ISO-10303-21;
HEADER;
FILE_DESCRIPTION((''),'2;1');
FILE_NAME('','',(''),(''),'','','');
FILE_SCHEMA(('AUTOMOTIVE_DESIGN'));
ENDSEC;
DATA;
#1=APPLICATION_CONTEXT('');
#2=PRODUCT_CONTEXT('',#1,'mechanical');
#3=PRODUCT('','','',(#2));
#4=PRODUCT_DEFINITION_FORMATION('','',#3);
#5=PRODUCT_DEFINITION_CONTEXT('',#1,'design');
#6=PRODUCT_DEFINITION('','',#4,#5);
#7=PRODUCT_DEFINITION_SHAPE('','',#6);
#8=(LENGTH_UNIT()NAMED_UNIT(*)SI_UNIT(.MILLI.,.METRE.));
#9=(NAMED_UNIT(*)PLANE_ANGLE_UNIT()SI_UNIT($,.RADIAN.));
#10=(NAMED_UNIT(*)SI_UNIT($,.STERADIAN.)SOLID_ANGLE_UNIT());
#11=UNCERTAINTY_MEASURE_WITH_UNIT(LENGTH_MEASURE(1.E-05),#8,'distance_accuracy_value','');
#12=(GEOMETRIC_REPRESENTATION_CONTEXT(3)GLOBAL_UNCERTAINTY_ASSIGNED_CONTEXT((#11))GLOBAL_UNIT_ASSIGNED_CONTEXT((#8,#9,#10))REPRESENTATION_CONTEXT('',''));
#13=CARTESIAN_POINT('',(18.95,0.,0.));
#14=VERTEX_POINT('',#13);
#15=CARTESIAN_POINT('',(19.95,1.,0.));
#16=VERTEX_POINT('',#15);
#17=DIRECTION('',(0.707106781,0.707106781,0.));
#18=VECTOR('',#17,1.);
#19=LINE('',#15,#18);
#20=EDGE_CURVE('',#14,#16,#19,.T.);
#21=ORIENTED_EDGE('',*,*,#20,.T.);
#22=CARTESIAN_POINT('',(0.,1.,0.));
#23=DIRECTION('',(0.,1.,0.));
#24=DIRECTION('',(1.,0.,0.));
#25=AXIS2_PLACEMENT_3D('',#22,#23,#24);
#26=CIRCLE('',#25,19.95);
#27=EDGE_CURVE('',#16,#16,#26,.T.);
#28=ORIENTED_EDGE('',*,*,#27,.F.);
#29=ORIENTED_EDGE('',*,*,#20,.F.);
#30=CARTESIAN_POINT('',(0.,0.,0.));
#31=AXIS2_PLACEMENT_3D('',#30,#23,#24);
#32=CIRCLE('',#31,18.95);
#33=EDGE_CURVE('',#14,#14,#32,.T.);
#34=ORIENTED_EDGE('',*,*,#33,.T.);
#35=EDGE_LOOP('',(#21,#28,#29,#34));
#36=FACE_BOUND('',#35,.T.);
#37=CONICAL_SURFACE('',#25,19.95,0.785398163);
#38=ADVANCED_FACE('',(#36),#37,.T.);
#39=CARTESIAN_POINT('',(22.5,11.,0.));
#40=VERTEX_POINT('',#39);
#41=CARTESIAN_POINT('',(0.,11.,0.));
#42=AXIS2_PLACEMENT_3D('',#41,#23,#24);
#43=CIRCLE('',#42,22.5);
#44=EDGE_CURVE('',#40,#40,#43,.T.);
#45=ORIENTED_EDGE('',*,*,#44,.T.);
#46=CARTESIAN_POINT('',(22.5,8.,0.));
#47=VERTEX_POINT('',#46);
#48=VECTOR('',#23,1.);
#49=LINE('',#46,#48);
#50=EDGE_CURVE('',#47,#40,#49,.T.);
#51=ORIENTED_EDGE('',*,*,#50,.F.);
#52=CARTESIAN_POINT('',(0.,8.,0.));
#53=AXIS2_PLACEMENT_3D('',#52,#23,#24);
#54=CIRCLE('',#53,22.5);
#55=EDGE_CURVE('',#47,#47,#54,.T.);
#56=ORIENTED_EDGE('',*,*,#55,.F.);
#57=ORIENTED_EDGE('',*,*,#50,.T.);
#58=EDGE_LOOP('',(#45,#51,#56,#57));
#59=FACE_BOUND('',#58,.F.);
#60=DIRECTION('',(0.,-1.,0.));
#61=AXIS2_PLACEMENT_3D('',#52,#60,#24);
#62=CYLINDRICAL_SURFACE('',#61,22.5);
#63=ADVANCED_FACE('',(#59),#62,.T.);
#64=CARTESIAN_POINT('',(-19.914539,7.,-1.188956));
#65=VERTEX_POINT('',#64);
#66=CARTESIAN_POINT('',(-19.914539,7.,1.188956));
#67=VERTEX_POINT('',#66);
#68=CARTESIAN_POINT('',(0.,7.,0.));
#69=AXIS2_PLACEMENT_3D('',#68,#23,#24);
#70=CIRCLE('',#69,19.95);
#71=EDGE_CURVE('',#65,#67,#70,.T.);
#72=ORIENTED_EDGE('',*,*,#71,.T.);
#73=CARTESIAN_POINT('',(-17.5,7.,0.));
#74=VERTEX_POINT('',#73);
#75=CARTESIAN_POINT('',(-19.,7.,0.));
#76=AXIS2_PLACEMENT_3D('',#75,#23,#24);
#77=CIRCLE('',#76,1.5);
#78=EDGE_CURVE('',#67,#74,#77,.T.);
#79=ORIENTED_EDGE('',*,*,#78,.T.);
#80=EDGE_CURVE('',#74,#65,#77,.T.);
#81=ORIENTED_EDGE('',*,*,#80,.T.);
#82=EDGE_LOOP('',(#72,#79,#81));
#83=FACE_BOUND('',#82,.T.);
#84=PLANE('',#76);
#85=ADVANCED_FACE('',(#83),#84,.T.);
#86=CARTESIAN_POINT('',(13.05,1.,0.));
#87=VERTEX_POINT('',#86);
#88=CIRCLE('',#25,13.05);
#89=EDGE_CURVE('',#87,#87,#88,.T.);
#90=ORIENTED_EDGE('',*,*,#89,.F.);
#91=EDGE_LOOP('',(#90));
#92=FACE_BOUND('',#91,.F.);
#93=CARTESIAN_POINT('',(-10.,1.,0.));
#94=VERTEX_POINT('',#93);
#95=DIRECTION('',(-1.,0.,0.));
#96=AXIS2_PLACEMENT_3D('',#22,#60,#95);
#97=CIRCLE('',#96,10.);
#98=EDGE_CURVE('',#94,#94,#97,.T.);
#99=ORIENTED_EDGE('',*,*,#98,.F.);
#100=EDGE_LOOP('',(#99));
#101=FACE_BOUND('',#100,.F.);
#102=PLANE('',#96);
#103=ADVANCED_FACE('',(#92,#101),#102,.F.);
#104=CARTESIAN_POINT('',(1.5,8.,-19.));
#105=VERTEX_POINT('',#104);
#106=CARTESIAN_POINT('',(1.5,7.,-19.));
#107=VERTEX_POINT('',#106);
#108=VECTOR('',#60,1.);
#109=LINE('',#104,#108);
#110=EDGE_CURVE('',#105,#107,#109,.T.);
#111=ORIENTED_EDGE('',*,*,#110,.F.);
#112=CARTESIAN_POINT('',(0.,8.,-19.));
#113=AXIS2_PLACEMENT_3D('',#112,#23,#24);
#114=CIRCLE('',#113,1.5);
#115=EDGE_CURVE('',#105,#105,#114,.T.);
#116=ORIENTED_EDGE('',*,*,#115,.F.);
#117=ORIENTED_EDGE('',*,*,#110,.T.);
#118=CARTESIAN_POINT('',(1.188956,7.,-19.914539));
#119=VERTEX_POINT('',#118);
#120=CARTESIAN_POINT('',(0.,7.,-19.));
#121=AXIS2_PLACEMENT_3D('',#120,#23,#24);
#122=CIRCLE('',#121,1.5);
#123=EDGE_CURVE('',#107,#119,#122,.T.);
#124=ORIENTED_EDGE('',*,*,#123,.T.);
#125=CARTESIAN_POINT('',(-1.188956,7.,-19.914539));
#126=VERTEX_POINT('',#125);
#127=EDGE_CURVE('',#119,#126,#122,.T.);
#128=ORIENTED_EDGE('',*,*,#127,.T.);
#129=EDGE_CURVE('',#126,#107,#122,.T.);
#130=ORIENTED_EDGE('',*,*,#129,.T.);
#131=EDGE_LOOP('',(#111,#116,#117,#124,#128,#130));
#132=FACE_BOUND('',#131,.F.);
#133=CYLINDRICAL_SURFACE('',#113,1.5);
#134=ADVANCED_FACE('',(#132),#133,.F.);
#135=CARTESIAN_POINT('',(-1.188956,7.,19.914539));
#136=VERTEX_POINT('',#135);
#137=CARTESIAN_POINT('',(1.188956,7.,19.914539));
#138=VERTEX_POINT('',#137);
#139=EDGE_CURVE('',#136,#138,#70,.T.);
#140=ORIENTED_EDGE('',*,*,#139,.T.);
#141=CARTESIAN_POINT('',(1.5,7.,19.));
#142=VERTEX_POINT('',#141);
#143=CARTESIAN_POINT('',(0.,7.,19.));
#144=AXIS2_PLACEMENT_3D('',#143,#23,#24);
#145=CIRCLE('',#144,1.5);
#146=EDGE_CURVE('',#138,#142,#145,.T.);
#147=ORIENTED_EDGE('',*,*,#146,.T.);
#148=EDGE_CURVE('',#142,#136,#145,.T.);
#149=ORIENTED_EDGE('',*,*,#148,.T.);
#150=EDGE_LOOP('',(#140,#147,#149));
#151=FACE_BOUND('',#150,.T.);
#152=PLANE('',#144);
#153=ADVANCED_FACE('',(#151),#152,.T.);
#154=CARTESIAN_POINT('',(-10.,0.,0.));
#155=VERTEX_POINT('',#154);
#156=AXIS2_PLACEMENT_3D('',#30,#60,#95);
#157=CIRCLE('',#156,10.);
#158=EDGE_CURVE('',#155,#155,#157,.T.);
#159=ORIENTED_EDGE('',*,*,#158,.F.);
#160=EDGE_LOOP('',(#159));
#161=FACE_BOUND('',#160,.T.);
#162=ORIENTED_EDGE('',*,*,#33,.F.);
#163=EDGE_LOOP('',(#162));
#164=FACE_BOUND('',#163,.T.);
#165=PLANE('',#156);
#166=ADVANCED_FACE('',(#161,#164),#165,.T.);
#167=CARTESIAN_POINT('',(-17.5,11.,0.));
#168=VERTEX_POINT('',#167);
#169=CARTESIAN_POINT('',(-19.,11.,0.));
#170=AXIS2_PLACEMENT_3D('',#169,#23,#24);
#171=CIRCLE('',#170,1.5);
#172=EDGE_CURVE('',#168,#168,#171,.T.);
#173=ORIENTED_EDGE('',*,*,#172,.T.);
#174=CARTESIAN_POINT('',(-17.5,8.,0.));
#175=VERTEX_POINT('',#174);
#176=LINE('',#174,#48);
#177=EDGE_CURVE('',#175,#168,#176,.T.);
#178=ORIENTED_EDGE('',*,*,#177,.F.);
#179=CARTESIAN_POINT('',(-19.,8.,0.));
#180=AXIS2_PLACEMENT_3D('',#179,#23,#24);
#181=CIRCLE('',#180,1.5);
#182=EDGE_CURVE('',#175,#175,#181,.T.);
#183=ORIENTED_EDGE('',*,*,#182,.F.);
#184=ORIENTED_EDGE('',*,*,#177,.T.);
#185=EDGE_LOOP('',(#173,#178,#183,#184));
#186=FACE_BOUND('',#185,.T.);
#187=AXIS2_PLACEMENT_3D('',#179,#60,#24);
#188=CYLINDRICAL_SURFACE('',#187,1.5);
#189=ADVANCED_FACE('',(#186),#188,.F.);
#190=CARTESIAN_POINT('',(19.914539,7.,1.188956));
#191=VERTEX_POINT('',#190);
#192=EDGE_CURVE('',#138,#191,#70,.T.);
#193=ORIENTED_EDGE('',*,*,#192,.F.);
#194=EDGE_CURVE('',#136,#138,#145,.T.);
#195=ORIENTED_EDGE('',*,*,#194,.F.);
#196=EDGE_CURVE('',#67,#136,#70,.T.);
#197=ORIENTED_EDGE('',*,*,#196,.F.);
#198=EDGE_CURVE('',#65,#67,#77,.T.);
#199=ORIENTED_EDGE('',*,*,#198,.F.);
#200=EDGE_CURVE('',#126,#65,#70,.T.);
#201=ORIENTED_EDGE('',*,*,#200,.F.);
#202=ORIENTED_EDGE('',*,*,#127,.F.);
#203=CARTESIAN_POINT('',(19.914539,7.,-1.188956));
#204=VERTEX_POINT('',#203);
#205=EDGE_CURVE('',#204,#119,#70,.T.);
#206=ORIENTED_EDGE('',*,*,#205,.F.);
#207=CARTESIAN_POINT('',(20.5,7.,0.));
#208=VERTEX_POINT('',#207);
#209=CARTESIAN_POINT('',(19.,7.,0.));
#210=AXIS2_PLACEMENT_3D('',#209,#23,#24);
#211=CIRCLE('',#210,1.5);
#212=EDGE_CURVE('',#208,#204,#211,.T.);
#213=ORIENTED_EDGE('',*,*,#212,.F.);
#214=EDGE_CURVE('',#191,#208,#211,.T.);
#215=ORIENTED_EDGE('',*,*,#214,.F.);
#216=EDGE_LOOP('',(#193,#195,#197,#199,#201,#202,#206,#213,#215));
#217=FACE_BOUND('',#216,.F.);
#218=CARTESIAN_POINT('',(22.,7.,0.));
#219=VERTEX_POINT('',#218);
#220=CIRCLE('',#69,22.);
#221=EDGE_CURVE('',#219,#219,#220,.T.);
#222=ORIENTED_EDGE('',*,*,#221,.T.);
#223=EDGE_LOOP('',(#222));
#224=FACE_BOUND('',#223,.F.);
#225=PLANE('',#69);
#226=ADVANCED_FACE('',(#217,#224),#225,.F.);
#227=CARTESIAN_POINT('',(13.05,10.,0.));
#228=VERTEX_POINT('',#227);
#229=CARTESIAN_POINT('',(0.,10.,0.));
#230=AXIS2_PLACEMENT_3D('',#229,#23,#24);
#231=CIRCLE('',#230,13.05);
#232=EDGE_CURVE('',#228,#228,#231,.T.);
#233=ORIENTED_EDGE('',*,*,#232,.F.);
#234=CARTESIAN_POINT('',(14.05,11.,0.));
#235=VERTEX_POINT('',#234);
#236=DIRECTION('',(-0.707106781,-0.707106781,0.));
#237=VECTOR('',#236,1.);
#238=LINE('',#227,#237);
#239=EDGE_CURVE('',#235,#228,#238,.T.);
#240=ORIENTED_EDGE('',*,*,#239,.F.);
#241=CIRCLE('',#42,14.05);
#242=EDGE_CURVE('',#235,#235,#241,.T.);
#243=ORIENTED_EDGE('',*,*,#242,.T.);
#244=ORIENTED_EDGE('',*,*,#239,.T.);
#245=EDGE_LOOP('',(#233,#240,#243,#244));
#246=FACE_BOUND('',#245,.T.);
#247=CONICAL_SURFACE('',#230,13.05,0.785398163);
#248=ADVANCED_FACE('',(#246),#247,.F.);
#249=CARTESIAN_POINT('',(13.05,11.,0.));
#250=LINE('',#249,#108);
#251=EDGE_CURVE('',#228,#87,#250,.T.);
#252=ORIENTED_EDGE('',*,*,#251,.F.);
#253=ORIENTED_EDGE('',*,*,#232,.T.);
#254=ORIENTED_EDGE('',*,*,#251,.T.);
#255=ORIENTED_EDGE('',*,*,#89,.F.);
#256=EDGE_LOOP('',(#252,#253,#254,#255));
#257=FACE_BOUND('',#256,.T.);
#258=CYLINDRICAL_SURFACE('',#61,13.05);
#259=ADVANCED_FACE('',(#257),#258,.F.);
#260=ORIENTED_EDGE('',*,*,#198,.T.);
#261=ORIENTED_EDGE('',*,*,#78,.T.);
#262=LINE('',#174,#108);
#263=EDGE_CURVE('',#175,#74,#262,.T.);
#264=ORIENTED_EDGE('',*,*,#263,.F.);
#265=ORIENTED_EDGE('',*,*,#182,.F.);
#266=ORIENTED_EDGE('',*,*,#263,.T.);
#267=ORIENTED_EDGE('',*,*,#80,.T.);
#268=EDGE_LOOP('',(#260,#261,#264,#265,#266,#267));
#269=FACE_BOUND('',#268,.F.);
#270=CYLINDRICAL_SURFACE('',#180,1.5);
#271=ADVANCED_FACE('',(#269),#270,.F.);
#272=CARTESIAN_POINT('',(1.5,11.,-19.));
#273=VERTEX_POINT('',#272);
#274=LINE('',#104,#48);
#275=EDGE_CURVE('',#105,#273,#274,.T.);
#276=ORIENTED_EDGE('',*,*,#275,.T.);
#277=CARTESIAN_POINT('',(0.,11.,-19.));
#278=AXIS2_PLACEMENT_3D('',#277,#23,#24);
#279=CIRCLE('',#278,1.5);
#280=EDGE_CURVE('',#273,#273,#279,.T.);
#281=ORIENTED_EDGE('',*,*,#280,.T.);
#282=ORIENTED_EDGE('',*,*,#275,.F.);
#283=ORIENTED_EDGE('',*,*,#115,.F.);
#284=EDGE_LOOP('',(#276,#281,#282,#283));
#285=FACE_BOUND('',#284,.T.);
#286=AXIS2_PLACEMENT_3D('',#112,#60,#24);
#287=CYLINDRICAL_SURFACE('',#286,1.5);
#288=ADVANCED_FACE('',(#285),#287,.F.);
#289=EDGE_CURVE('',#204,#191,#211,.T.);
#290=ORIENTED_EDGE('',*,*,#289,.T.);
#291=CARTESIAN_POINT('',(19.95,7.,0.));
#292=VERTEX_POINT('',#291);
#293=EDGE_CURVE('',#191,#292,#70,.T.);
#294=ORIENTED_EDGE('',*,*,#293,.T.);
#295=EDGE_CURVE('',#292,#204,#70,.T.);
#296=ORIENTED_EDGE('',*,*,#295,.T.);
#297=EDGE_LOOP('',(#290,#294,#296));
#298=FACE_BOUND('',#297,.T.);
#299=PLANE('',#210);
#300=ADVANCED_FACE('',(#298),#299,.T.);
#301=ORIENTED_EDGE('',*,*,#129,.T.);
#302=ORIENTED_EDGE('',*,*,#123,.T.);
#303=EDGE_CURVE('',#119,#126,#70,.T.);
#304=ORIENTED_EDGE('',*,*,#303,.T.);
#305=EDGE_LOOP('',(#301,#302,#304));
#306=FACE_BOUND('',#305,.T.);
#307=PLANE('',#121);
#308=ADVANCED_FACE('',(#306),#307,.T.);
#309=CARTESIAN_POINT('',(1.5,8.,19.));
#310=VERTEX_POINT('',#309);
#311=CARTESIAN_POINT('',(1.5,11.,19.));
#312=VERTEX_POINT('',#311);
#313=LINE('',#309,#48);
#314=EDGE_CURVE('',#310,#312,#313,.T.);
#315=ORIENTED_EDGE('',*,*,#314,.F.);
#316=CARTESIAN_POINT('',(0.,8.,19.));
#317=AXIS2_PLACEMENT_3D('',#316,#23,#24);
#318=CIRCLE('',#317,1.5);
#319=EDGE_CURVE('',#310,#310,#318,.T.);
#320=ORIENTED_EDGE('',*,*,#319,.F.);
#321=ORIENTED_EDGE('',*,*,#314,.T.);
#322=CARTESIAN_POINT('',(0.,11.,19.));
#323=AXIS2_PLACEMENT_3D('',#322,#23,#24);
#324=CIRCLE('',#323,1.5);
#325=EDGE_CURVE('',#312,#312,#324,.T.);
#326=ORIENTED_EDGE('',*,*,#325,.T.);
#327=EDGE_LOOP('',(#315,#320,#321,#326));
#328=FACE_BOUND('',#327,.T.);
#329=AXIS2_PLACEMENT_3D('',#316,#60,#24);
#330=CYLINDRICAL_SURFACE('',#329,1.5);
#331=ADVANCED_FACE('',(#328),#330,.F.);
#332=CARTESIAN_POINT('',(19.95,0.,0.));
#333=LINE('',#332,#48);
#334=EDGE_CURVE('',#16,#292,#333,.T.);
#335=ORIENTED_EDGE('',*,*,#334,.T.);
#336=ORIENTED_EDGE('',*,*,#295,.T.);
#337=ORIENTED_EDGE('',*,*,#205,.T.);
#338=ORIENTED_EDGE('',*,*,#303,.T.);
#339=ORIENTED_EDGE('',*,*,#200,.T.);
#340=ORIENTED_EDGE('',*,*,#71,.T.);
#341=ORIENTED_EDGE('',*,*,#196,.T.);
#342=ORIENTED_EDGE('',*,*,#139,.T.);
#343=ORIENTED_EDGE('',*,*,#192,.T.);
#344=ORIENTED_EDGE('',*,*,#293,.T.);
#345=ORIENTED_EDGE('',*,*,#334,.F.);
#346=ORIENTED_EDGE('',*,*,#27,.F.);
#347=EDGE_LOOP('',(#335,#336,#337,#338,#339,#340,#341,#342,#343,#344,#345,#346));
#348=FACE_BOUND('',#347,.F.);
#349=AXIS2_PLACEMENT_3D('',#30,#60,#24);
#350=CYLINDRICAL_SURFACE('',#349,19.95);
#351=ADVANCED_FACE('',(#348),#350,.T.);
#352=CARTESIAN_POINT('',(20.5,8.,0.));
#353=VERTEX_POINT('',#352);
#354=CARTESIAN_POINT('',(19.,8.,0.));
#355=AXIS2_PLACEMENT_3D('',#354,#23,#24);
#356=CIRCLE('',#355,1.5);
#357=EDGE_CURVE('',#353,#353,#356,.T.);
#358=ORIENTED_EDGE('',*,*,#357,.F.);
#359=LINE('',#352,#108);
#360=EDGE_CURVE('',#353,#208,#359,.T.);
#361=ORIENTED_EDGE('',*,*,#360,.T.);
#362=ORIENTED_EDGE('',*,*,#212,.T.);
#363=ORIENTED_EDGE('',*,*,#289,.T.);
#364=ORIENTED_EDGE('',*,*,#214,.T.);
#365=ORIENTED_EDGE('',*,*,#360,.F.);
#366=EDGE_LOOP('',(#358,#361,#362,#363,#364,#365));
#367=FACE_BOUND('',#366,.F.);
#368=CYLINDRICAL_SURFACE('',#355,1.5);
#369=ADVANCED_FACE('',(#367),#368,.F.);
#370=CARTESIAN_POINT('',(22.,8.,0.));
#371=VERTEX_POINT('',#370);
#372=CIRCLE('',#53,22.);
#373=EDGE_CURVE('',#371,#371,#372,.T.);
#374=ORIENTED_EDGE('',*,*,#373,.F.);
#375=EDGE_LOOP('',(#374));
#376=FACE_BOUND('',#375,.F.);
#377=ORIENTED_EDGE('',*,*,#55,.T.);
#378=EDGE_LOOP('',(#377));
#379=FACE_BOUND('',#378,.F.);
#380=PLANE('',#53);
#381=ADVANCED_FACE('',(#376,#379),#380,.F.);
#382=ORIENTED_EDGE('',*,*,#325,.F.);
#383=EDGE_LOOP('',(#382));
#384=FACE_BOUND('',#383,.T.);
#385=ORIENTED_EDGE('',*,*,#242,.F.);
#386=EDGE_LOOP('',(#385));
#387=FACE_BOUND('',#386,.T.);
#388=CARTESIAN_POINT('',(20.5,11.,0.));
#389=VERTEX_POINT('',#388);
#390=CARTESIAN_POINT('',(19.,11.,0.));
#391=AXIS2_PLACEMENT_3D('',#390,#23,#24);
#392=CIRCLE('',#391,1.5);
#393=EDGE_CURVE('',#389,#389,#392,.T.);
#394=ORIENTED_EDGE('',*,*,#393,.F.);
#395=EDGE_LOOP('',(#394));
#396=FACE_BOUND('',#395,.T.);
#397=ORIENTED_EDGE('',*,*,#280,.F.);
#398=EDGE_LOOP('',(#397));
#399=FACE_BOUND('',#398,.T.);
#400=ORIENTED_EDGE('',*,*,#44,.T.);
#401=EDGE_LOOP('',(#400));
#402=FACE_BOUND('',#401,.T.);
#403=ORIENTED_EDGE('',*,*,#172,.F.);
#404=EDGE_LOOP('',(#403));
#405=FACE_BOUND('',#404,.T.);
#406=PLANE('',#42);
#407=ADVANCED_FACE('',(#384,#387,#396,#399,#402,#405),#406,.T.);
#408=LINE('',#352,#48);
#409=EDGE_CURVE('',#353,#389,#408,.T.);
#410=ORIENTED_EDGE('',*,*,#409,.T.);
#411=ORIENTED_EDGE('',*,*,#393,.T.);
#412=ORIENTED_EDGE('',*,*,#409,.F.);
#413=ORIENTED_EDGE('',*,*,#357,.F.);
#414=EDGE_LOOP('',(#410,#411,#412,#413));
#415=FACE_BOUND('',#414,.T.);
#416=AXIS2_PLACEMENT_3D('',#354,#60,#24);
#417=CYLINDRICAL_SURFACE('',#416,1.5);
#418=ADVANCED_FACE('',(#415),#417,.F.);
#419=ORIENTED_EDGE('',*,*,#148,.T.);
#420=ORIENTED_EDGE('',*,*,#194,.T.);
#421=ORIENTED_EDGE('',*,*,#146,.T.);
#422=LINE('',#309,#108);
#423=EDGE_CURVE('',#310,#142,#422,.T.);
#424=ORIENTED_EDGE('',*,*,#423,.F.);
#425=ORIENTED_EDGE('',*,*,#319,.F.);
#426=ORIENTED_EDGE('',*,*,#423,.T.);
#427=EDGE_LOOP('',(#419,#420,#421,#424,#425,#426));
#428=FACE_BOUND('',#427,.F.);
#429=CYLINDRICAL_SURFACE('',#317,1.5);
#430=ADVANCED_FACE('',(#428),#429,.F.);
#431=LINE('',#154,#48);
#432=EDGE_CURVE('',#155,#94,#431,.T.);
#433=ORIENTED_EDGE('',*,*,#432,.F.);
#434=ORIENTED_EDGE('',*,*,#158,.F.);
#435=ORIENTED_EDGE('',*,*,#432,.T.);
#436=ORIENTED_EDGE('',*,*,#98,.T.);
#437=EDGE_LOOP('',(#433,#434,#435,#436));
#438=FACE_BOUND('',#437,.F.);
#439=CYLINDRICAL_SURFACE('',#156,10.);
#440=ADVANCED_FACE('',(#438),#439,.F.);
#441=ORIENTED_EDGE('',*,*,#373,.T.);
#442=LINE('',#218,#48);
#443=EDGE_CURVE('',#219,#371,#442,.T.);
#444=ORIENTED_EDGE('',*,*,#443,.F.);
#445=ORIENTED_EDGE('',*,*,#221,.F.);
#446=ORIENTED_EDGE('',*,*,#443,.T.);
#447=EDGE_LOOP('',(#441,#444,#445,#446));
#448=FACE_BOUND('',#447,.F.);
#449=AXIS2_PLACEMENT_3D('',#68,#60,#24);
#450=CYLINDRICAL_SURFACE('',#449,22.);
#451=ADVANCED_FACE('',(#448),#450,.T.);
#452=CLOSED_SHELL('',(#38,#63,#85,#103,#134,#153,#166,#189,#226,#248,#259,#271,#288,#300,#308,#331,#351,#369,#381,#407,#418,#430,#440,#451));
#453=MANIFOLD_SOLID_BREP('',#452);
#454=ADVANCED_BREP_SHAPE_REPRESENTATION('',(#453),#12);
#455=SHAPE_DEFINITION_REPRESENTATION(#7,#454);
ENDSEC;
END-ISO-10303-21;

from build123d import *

# Parameters (mm, degrees)
SKETCH1_R           = 19.95
SKETCH1_R_2         = 13.05
BOSS_EXTRUDE1_DEPTH = 7
SKETCH2_R           = 13.05
SKETCH2_R_2         = 10
BOSS_EXTRUDE2_DEPTH = 1
SKETCH3_R           = 22
SKETCH3_R_2         = 13.05
BOSS_EXTRUDE3_DEPTH = 1
SKETCH4_R           = 22.5
SKETCH4_R_2         = 1.5
SKETCH4_R_3         = 13.05
BOSS_EXTRUDE7_DEPTH = 3
CHAMFER1_SIZE       = 1
SKETCH6_R           = 1.5
CUT_EXTRUDE1_DEPTH  = 1


with BuildPart() as part:
    # Sketch1 → Boss-Extrude1 (new body)
    with BuildSketch(Plane(origin=(0, 0, 0), x_dir=(1, 0, 0), z_dir=(0, 1, 0))):
        Circle(SKETCH1_R)
        Circle(SKETCH1_R_2, mode=Mode.SUBTRACT)
    extrude(amount=BOSS_EXTRUDE1_DEPTH)

    # Sketch2 → Boss-Extrude2 (add)
    with BuildSketch(Plane(origin=(0, 0, 0), x_dir=(-1, 0, 0), z_dir=(0, -1, 0))):
        Circle(SKETCH2_R)
        Circle(SKETCH2_R_2, mode=Mode.SUBTRACT)
    extrude(amount=-BOSS_EXTRUDE2_DEPTH)

    # Sketch3 → Boss-Extrude3 (add)
    with BuildSketch(Plane(origin=(0, 7, 0), x_dir=(1, 0, 0), z_dir=(0, 1, 0))):
        Circle(SKETCH3_R)
        Circle(SKETCH3_R_2, mode=Mode.SUBTRACT)
    extrude(amount=BOSS_EXTRUDE3_DEPTH)

    # Sketch4 → Boss-Extrude7 (add)
    with BuildSketch(Plane(origin=(0, 8, 0), x_dir=(1, 0, 0), z_dir=(0, 1, 0))):
        Circle(SKETCH4_R)
        with Locations((0, 19)):
            Circle(SKETCH4_R_2, mode=Mode.SUBTRACT)
        with Locations((19, 0)):
            Circle(SKETCH4_R_2, mode=Mode.SUBTRACT)
        with Locations((0, -19)):
            Circle(SKETCH4_R_2, mode=Mode.SUBTRACT)
        with Locations((-19, 0)):
            Circle(SKETCH4_R_2, mode=Mode.SUBTRACT)
        Circle(SKETCH4_R_3, mode=Mode.SUBTRACT)
    extrude(amount=BOSS_EXTRUDE7_DEPTH)

    # Chamfer1
    chamfer1_edges = [part.edges().sort_by_distance(p)[0] for p in [
        (-19.95, 0, 0),
        (-13.05, 11, 0),
    ]]
    chamfer(chamfer1_edges, length=CHAMFER1_SIZE)

    # Sketch6 → Cut-Extrude1 (cut)
    with BuildSketch(Plane(origin=(0, 8, 0), x_dir=(1, 0, 0), z_dir=(0, 1, 0))):
        with Locations((-19, 0)):
            Circle(SKETCH6_R)
        with Locations((0, -19)):
            Circle(SKETCH6_R)
        with Locations((19, 0)):
            Circle(SKETCH6_R)
        with Locations((0, 19)):
            Circle(SKETCH6_R)
    extrude(amount=-CUT_EXTRUDE1_DEPTH, mode=Mode.SUBTRACT)


solid = part.part
